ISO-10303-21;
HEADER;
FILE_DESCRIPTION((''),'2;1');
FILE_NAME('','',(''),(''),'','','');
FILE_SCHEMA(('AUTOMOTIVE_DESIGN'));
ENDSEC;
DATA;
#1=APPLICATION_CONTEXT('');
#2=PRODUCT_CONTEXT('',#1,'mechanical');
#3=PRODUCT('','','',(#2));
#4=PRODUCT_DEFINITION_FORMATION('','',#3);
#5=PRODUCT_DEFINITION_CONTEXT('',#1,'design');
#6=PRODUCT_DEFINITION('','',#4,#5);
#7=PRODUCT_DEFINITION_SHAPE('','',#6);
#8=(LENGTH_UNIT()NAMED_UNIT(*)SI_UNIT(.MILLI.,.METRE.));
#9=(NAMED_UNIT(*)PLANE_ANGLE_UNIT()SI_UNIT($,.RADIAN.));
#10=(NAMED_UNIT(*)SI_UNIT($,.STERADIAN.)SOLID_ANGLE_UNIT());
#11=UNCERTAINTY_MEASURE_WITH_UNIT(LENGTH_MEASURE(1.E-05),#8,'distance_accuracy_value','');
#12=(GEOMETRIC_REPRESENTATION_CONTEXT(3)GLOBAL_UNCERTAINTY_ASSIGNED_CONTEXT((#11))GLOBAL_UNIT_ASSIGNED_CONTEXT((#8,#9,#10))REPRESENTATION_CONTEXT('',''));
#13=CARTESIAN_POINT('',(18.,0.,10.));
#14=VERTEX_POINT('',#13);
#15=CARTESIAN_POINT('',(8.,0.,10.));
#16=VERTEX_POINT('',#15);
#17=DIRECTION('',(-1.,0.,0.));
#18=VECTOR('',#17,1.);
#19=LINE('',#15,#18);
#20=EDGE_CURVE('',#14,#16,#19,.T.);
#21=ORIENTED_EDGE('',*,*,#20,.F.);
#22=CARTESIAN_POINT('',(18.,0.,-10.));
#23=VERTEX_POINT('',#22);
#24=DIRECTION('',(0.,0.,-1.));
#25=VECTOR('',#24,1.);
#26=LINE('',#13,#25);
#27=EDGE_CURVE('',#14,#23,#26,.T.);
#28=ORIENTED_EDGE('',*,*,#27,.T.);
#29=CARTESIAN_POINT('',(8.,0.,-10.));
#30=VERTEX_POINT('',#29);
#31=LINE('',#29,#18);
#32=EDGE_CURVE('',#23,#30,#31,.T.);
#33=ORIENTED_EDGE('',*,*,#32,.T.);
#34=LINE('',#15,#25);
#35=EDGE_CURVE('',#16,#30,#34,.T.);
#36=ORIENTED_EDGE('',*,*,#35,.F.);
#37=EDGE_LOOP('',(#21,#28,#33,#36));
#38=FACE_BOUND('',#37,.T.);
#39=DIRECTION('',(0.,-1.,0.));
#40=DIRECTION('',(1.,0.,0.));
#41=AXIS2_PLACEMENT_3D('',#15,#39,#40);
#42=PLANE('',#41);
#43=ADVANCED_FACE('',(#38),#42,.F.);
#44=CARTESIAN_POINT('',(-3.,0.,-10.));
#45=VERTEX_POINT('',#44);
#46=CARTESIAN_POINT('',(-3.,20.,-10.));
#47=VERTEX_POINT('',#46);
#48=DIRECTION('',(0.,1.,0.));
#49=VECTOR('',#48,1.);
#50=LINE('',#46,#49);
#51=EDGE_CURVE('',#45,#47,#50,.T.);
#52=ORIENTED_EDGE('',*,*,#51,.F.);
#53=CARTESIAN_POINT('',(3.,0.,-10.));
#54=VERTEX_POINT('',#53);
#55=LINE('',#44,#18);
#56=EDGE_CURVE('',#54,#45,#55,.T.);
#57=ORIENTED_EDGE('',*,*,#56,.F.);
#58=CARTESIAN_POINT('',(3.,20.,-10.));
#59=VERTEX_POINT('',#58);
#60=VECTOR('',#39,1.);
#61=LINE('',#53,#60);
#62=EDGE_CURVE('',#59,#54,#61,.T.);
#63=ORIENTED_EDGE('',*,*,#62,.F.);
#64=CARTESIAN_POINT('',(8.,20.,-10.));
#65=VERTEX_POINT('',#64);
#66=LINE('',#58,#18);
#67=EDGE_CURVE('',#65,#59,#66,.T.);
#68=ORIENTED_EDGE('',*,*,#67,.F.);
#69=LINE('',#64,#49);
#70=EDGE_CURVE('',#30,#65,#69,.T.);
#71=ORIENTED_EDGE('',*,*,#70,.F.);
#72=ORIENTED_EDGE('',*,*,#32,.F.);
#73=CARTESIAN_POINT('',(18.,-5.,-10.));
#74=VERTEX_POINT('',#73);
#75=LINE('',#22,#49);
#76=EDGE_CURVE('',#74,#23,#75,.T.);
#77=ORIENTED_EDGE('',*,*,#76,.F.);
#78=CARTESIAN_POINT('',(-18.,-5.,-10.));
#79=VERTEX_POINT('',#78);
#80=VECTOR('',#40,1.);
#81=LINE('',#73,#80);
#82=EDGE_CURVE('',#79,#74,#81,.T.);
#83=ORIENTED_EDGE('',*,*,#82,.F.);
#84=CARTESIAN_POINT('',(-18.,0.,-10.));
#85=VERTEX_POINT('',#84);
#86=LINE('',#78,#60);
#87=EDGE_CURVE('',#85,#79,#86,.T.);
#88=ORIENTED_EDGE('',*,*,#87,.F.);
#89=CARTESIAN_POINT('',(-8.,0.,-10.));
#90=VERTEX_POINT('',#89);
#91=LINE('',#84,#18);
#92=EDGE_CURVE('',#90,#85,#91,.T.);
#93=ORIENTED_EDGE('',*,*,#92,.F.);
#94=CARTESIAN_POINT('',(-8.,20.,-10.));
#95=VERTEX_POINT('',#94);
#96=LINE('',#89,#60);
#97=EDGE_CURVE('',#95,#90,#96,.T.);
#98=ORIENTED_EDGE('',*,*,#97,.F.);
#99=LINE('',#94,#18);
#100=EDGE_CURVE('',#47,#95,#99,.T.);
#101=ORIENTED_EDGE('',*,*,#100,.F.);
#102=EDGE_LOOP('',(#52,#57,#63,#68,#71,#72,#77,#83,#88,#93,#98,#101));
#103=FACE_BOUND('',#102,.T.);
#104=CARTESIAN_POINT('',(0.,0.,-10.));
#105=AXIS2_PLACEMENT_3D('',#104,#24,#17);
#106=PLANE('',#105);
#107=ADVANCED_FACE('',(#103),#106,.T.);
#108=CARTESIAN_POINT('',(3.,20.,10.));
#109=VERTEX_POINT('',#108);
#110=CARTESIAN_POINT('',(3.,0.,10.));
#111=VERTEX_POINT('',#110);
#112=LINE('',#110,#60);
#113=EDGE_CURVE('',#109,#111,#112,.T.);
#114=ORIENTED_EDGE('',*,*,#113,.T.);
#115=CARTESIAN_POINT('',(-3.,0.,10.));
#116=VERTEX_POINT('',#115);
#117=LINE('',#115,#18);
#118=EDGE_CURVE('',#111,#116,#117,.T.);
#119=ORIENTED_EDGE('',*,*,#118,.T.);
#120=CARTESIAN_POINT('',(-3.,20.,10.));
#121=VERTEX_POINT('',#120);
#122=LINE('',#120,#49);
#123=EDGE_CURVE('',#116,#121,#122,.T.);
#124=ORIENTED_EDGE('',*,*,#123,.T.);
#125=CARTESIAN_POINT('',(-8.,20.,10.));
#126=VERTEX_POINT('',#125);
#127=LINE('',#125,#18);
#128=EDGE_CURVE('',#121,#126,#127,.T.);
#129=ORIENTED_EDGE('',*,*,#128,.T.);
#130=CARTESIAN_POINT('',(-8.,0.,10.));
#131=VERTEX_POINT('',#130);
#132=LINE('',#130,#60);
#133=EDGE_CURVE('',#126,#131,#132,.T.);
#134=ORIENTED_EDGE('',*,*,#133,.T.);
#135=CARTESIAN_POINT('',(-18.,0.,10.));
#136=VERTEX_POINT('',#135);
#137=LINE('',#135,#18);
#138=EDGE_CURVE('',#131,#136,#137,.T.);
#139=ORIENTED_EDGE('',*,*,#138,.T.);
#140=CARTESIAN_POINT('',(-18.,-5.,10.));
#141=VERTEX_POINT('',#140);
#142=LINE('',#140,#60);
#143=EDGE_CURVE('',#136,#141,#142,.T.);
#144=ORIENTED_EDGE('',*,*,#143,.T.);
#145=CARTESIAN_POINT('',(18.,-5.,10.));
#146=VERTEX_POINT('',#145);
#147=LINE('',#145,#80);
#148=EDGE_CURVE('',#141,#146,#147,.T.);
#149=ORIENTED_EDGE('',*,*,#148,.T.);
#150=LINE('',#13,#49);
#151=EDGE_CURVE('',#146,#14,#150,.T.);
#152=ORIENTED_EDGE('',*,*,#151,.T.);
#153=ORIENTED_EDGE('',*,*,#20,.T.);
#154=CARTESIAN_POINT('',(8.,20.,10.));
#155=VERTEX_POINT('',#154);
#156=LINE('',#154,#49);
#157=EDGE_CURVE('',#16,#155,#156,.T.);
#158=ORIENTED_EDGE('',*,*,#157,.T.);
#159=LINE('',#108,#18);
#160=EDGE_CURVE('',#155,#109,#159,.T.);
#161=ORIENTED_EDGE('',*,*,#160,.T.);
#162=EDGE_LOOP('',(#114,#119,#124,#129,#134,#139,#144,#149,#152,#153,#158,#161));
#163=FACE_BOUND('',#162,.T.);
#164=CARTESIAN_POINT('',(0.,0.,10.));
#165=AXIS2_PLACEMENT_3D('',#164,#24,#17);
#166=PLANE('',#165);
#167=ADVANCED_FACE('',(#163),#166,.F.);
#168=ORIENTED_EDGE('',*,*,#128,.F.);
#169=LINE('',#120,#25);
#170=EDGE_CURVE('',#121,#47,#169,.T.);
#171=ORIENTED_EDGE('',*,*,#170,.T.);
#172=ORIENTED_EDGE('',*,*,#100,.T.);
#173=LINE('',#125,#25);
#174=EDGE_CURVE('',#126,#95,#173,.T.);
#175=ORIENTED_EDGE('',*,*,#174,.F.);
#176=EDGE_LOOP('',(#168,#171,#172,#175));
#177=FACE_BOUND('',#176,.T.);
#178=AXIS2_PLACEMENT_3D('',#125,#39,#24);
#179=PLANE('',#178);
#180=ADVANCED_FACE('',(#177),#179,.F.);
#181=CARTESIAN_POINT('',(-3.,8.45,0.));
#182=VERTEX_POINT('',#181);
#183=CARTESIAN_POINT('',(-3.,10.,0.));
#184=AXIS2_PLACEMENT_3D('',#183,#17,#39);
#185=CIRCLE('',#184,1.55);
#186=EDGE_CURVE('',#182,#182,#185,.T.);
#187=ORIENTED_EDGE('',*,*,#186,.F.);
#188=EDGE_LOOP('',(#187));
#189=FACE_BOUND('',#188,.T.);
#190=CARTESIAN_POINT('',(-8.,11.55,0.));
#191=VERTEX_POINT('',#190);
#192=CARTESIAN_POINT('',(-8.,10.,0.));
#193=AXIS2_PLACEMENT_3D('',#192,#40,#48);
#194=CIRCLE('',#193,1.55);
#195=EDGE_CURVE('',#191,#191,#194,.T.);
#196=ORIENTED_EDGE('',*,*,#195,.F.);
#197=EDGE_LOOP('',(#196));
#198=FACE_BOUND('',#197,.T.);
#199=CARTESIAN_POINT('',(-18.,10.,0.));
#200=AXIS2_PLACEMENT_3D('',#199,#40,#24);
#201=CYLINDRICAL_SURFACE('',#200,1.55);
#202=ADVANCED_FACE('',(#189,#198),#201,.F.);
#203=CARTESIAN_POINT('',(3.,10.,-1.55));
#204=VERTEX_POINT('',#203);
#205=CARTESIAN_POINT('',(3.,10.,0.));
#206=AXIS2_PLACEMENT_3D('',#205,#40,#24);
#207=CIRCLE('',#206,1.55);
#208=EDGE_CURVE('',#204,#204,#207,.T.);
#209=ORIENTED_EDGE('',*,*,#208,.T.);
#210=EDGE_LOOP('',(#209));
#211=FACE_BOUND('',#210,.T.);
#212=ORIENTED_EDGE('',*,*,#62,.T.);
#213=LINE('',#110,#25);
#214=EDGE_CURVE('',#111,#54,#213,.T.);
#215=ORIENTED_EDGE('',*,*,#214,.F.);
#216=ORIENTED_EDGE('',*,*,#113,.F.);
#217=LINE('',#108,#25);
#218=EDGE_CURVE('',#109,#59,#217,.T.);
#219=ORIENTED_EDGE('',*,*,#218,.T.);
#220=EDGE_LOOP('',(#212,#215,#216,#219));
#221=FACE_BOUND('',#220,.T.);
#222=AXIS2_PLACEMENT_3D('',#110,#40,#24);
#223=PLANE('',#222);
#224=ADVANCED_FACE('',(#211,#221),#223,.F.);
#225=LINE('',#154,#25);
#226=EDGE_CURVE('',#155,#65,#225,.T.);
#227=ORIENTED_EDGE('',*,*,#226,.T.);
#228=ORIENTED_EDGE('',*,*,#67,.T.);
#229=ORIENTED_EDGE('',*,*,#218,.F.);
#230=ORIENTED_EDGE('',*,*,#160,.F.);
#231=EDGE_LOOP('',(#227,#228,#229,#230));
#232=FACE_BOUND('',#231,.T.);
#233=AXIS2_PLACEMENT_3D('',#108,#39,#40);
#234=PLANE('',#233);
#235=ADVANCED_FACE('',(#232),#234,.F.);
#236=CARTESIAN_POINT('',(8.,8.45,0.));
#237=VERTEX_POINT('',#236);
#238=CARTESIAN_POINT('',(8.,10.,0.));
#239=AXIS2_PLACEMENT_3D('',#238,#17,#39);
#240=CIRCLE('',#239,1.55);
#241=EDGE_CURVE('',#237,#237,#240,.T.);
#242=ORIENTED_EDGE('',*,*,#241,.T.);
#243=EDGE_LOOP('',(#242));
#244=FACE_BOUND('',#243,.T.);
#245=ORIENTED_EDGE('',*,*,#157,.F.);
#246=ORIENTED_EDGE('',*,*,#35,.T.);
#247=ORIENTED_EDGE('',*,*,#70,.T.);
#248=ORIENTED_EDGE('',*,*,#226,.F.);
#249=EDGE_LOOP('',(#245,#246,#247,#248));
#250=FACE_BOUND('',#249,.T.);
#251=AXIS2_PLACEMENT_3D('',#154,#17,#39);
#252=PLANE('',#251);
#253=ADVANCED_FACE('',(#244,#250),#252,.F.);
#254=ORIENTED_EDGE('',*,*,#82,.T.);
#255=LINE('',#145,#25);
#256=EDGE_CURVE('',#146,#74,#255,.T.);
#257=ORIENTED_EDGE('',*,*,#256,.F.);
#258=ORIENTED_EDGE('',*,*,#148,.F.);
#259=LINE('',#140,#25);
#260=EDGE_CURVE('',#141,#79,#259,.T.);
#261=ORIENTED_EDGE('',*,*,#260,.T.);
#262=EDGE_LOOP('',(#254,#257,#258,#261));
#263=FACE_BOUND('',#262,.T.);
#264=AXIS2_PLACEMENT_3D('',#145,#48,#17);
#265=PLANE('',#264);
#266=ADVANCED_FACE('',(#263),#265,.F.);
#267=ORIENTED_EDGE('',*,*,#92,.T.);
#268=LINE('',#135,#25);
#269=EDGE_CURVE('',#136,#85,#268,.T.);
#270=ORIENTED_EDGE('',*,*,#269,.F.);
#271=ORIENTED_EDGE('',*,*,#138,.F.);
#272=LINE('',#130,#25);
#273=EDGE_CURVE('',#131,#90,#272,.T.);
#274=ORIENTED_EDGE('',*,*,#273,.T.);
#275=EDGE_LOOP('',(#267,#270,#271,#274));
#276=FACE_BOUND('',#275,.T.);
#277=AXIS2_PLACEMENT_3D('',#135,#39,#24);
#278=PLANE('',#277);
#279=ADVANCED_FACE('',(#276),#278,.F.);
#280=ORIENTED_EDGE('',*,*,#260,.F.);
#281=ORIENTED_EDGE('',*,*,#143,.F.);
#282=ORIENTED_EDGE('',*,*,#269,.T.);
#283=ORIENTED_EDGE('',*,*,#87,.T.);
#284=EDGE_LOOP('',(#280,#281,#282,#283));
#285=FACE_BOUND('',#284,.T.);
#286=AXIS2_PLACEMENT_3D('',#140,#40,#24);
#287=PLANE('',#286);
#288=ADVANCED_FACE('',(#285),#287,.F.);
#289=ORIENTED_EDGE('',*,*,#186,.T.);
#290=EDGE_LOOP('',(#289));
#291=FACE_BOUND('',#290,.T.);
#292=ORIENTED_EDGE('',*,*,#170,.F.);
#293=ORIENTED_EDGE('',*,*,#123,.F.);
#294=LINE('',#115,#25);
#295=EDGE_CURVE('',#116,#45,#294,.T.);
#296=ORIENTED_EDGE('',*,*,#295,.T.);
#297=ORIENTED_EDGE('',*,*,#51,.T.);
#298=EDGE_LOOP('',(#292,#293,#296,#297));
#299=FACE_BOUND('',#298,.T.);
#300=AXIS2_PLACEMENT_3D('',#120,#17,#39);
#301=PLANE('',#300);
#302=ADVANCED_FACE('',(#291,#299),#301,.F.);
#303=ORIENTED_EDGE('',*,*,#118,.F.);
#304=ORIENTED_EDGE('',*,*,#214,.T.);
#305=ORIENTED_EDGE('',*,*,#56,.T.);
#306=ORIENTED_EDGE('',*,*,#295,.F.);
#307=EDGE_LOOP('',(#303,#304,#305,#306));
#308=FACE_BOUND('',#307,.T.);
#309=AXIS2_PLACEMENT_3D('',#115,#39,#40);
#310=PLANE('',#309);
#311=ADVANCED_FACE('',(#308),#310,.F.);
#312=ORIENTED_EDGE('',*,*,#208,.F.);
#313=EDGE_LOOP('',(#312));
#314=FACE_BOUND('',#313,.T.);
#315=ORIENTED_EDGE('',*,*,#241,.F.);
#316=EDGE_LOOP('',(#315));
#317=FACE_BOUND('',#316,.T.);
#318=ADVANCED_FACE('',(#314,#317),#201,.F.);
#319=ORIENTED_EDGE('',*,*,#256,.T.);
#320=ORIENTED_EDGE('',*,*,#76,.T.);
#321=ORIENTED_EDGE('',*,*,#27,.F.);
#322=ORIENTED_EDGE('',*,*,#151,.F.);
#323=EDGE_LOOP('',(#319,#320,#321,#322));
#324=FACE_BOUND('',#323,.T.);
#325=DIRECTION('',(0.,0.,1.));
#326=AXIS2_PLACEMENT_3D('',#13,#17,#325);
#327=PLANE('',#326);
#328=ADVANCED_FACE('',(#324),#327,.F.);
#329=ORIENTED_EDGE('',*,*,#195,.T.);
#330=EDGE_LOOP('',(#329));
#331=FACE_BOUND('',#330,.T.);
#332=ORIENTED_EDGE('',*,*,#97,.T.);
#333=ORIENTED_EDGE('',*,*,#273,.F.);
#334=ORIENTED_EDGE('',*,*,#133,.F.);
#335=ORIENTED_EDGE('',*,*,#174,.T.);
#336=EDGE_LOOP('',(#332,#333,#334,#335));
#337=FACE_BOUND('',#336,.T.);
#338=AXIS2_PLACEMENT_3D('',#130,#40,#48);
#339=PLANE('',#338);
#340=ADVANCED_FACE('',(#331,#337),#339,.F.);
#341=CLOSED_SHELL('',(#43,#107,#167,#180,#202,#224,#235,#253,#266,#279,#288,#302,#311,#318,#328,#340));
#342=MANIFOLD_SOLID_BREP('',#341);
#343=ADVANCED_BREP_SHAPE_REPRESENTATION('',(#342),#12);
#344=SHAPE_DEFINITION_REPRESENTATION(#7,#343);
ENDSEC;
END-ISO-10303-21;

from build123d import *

# Parameters (mm, degrees)
BOSS_EXTRUDE1_DEPTH     = 10
CUT_EXTRUDE1_DEPTH      = 29.705400189
CUT_EXTRUDE1_DEPTH_BACK = 29.705400189
SKETCH2_R               = 1.55


with BuildPart() as part:
    # Sketch1 → Boss-Extrude1 (new, symmetric)
    with BuildSketch(Plane.XY):
        Polygon((-3, 20), (-3, 0), (3, 0), (3, 20), (8, 20), (8, 0), (18, 0), (18, -5), (-18, -5), (-18, 0), (-8, 0), (-8, 20), align=None)
    extrude(amount=BOSS_EXTRUDE1_DEPTH, both=True)

    # Sketch2 → Cut-Extrude1 (cut, two sides: drawn at the far end of the back side and taken through both)
    with BuildSketch(Plane(origin=(0, 0, 0), x_dir=(0, 0, -1), z_dir=(1, 0, 0)).offset(-CUT_EXTRUDE1_DEPTH_BACK)):
        with Locations(Location((0, 10, 0), (0, 0, 270))):
            Circle(SKETCH2_R)
    extrude(amount=CUT_EXTRUDE1_DEPTH + CUT_EXTRUDE1_DEPTH_BACK, mode=Mode.SUBTRACT)


solid = part.part
